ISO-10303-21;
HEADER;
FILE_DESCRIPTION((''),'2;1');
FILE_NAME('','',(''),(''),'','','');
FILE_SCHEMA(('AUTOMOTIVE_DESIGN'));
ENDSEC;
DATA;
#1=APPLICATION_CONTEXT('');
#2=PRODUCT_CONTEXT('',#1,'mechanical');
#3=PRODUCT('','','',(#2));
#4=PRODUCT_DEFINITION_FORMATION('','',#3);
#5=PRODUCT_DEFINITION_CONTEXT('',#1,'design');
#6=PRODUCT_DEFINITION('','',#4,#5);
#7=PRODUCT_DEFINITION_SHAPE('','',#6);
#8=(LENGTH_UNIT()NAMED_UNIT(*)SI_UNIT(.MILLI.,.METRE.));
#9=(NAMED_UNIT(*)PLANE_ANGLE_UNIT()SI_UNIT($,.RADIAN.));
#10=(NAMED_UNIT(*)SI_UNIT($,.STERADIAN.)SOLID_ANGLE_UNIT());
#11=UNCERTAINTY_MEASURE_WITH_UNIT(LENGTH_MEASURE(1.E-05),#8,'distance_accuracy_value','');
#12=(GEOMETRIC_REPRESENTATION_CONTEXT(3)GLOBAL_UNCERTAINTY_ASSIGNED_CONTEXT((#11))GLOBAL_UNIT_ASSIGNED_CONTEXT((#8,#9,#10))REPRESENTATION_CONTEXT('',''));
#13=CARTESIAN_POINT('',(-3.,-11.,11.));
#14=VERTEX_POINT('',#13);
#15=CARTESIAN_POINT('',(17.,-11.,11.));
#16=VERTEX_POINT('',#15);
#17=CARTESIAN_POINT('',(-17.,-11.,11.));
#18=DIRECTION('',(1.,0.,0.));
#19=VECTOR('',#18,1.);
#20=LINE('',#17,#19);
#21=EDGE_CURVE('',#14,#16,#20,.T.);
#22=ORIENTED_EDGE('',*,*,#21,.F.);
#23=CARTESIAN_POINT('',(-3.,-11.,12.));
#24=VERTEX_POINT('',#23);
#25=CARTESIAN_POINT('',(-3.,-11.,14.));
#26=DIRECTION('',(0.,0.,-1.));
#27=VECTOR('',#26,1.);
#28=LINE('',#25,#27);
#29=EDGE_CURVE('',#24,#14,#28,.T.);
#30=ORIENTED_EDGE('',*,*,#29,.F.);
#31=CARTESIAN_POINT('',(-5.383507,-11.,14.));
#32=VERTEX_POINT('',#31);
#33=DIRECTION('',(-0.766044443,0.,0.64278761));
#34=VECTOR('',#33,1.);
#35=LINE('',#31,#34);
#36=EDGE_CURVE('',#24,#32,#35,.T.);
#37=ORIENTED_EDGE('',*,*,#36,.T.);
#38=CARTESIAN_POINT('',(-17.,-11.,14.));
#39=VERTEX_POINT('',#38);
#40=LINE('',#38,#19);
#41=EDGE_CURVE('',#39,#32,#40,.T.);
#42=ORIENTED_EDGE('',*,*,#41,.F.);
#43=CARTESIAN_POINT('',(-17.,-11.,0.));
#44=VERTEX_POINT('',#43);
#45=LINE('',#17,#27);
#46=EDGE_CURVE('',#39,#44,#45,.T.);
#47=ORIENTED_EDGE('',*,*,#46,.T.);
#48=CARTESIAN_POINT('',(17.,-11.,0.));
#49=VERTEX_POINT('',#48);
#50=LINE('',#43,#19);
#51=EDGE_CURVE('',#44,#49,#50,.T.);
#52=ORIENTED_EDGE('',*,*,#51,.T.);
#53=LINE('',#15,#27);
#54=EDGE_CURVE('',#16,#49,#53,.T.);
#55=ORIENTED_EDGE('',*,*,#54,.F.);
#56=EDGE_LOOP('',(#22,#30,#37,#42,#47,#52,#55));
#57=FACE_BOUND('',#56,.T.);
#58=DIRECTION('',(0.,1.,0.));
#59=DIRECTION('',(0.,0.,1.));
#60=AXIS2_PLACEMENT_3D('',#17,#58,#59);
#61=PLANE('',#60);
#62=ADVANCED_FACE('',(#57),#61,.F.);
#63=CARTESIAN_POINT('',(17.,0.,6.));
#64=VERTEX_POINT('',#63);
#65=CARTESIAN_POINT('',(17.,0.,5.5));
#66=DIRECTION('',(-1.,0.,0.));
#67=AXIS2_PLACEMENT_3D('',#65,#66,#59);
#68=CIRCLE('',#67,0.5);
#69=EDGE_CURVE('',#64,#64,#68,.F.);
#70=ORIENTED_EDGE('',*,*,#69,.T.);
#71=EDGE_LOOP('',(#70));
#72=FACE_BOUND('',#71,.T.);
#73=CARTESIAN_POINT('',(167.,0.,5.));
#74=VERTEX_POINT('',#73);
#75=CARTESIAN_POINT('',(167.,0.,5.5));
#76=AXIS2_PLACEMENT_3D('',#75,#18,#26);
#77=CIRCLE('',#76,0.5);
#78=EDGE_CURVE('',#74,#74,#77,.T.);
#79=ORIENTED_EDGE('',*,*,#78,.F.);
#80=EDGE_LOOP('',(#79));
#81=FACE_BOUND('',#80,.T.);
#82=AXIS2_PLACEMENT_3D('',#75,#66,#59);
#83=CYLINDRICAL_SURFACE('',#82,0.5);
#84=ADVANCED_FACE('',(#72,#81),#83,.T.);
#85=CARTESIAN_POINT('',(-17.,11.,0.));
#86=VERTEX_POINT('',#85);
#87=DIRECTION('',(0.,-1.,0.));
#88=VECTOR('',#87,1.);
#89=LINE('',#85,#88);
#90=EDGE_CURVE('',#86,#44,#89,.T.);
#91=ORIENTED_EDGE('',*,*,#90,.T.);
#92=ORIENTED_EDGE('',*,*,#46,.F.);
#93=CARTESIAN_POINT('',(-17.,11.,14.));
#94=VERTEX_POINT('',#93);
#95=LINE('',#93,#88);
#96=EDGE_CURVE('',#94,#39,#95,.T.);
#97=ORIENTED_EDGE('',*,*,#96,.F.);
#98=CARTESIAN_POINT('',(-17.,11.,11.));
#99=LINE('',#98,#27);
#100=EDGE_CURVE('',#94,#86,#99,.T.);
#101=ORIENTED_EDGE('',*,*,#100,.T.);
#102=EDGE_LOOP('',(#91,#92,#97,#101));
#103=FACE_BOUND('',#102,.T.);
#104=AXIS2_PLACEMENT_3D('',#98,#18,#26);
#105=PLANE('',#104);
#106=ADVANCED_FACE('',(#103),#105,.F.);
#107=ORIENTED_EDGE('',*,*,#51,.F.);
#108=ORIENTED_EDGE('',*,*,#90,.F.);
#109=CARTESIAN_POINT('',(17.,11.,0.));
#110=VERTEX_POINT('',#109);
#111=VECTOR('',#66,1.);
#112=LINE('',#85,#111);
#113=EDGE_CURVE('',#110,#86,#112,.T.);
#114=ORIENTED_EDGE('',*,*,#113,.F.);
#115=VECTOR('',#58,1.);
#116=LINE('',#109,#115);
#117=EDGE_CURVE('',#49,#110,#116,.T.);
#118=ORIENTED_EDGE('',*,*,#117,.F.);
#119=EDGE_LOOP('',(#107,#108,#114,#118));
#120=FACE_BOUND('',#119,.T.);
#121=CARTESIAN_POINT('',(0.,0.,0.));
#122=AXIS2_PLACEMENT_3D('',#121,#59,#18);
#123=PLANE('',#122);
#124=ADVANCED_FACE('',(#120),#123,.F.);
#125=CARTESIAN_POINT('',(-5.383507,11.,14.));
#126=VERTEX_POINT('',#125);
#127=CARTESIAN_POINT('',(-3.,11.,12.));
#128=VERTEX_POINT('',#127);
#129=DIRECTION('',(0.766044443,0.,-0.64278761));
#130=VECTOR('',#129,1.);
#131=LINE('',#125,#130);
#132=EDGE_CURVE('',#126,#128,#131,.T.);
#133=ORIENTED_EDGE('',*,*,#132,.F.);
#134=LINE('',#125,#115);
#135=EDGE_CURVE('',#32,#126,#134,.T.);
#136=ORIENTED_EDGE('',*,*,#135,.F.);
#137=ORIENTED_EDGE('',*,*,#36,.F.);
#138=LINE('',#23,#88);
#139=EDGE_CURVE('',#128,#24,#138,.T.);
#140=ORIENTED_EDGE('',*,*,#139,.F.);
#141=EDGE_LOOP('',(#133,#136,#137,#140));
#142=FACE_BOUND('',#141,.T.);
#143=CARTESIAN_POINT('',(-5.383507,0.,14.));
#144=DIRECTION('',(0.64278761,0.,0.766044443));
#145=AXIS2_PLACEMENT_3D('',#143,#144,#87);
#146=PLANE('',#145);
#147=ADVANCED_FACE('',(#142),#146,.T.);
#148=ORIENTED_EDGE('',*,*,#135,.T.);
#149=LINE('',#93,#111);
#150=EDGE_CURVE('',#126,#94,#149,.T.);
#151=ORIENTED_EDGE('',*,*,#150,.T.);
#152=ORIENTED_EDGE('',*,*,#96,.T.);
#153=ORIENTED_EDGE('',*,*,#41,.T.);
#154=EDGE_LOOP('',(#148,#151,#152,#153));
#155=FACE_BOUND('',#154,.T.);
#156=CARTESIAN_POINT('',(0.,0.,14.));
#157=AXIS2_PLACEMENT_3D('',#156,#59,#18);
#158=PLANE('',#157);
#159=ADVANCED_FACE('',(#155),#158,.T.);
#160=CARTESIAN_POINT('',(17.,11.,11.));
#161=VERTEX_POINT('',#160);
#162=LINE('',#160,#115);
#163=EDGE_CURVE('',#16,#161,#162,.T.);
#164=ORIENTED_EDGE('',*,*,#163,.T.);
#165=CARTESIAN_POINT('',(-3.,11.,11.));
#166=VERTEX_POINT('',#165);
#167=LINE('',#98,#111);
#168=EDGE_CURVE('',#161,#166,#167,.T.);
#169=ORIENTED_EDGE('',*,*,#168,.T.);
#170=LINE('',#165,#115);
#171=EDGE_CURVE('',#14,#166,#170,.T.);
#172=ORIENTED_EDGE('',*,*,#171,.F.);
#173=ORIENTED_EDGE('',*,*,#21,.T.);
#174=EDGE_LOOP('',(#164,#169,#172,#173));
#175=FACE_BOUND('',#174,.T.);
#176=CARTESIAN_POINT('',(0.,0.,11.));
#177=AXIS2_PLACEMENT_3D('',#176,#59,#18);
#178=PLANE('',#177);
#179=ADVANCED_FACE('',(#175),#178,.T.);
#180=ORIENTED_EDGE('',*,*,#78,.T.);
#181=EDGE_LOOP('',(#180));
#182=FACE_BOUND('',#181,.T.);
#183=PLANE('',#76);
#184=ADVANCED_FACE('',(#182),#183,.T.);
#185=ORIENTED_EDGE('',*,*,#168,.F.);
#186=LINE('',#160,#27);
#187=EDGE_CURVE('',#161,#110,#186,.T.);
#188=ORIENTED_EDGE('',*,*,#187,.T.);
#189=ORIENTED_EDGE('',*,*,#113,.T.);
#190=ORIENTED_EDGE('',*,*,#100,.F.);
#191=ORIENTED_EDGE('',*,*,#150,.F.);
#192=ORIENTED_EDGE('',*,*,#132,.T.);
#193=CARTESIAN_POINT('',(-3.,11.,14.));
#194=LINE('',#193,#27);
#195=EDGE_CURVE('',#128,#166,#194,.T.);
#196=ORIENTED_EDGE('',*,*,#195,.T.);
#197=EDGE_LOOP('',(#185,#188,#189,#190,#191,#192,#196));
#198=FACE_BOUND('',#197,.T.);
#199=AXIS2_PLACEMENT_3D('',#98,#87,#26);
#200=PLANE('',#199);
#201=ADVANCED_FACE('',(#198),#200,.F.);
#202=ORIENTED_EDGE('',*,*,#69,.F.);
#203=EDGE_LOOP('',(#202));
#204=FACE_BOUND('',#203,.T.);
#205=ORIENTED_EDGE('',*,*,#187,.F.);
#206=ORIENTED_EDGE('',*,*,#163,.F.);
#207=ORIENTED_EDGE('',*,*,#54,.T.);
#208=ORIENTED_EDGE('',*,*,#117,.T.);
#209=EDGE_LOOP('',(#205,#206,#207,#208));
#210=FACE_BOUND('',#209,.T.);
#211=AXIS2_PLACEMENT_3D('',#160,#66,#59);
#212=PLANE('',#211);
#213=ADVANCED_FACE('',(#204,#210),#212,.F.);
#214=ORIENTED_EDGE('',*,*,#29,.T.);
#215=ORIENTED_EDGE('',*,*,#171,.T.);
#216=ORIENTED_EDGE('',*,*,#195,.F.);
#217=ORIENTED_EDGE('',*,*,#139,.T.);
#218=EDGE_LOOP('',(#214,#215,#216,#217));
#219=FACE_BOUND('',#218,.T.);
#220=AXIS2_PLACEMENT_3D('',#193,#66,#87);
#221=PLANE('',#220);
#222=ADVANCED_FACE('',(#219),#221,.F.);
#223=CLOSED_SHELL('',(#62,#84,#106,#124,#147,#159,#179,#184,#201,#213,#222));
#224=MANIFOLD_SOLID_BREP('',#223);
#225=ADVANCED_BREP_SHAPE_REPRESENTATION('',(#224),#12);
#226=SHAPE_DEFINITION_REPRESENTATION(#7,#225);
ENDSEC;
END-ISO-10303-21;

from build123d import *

# Parameters (mm, degrees)
CROQUIS1_W              = 34
CROQUIS1_H              = 22
SALIENTE_EXTRUIR1_DEPTH = 11
CROQUIS2_W              = 14
CROQUIS2_H              = 22
SALIENTE_EXTRUIR2_DEPTH = 3
CHAFL_N1_SIZE           = 2
CHAFL_N1_SIZE2          = 2.383507185
CROQUIS3_R              = 0.5
SALIENTE_EXTRUIR3_DEPTH = 150


with BuildPart() as part:
    # Croquis1 → Saliente-Extruir1 (new body)
    with BuildSketch(Plane.XY):
        Rectangle(CROQUIS1_W, CROQUIS1_H)
    extrude(amount=SALIENTE_EXTRUIR1_DEPTH)

    # Croquis2 → Saliente-Extruir2 (add)
    with BuildSketch(Plane.XY.offset(11)):
        with Locations((-10, 0)):
            Rectangle(CROQUIS2_W, CROQUIS2_H)
    extrude(amount=SALIENTE_EXTRUIR2_DEPTH)

    # Chaflán1
    chafl_n1_edges = [part.edges().sort_by_distance(p)[0] for p in [
        (-3, 0, 14),
    ]]
    chafl_n1_side = [part.faces().sort_by_distance(p)[0] for p in [
        (-3, 0, 12.5),
    ]]
    chamfer(chafl_n1_edges, length=CHAFL_N1_SIZE, length2=CHAFL_N1_SIZE2, reference=chafl_n1_side[0])

    # Croquis3 → Saliente-Extruir3 (add)
    with BuildSketch(Plane(origin=(17, 0, 0), x_dir=(0, 0, -1), z_dir=(1, 0, 0))):
        with Locations((-5.5, 0)):
            Circle(CROQUIS3_R)
    extrude(amount=SALIENTE_EXTRUIR3_DEPTH)


solid = part.part
